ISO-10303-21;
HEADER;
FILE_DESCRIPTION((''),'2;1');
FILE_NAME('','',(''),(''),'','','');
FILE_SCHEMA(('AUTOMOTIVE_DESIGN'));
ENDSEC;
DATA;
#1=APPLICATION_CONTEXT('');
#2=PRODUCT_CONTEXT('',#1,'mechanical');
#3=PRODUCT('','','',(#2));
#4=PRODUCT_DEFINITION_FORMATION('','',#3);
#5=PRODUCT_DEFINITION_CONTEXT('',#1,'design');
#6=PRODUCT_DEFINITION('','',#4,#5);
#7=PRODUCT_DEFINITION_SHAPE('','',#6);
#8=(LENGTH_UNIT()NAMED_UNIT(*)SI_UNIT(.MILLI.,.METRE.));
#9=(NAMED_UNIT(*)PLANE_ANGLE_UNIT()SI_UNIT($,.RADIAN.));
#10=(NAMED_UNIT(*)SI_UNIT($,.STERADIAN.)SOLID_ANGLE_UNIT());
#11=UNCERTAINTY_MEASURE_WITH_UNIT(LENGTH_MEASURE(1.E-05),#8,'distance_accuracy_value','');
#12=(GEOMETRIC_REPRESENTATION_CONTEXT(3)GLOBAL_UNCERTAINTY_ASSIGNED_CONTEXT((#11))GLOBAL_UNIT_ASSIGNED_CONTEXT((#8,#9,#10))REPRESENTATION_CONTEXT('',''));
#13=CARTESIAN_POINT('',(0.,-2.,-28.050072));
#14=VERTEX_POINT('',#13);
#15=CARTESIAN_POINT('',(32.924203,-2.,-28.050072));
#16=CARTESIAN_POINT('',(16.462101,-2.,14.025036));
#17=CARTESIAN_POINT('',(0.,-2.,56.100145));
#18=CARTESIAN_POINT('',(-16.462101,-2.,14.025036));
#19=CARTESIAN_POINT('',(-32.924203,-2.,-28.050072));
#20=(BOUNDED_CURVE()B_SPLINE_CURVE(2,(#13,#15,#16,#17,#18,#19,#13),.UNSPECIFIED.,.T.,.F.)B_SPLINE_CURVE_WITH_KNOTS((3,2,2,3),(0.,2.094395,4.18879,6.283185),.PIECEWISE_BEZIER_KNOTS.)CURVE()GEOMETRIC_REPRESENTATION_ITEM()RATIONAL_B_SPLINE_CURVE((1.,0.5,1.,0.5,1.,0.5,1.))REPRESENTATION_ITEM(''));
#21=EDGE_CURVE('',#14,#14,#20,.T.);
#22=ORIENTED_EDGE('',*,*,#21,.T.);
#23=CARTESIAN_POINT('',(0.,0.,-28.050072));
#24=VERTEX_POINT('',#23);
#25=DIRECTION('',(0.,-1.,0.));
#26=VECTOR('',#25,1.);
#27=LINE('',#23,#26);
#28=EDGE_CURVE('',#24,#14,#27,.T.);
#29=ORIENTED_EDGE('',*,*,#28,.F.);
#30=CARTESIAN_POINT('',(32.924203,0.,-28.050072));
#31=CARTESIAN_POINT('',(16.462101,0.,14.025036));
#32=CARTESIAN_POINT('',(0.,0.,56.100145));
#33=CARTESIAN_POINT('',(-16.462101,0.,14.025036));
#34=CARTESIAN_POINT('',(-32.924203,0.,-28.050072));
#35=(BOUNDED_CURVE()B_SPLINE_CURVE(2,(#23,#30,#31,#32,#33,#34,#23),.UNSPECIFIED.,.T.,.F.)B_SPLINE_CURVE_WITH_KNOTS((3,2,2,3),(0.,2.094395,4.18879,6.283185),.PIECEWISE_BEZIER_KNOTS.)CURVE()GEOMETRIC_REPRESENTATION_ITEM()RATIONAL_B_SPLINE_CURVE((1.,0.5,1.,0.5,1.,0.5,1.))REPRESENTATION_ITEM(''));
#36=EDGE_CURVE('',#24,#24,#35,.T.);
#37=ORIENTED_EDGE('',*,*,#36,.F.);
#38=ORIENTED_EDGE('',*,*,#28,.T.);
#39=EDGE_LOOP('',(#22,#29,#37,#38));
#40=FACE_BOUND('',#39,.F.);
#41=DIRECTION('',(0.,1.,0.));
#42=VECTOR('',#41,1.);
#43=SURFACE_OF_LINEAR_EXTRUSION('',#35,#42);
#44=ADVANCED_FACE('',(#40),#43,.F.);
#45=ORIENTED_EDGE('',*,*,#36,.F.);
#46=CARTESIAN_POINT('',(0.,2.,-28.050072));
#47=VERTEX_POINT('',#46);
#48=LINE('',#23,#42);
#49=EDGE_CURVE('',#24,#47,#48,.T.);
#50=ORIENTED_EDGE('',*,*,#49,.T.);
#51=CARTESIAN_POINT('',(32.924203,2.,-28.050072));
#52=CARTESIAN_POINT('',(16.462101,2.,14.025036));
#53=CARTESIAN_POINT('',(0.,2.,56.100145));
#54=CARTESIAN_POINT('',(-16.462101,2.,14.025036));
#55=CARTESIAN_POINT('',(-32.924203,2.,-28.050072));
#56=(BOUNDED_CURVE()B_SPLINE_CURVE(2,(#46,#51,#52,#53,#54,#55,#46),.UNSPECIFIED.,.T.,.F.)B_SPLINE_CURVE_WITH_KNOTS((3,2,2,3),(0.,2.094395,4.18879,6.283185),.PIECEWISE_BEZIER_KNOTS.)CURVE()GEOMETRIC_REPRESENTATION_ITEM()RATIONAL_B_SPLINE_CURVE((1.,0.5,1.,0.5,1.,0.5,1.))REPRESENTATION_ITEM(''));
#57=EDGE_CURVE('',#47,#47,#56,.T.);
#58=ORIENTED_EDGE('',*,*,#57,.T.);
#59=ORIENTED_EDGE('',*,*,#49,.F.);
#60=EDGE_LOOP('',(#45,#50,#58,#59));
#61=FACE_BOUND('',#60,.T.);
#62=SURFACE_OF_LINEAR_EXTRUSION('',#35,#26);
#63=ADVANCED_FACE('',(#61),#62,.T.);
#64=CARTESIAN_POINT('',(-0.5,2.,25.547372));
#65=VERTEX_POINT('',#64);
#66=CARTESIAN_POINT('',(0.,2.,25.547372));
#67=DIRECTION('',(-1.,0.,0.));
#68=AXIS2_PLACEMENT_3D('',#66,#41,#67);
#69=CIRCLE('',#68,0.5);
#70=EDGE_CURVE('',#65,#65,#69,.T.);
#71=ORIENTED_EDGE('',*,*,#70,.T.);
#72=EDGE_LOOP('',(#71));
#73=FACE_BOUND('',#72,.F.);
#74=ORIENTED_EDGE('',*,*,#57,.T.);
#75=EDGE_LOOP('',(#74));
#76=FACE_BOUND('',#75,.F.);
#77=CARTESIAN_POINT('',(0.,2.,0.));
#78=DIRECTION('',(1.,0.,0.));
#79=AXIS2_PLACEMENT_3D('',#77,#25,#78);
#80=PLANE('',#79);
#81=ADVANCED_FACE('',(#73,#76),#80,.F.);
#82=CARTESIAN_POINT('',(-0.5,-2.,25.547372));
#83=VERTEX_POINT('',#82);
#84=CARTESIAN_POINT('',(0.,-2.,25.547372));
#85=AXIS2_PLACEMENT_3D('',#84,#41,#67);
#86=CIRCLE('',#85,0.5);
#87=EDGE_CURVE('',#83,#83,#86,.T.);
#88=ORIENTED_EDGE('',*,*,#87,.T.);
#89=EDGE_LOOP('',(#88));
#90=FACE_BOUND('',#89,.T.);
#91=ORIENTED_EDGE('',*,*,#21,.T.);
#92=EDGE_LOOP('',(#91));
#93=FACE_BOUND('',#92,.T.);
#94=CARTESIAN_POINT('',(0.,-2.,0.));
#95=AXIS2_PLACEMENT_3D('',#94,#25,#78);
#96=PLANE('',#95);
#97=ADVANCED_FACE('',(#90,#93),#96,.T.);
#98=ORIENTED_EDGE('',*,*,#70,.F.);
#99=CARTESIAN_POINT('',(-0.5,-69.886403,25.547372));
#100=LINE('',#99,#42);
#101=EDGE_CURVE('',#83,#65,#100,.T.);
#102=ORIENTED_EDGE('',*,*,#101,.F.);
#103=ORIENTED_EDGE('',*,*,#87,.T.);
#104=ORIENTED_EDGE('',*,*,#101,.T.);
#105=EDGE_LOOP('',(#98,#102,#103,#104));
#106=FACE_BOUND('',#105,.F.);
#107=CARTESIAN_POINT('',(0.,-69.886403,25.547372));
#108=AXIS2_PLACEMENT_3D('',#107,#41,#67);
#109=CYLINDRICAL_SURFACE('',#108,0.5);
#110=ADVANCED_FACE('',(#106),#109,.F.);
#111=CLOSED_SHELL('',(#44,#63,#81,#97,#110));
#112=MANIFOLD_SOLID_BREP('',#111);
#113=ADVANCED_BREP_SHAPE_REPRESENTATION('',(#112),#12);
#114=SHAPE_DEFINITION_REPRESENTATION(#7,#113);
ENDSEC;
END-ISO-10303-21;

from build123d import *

# Parameters (mm, degrees)
F1_DEPTH = 2
F3_D     = 1


with BuildPart() as f1:
    # F0 (on Front) → F1 (new body, symmetric)
    with BuildSketch(Plane.XZ):
        with BuildLine():
            add(Edge.make_bspline(
                [(0, -28.050072), (32.924203, -28.050072), (16.462101, 14.025036), (0, 56.100145), (-16.462101, 14.025036), (-32.924203, -28.050072), (0, -28.050072)],
                knots=[0, 0, 0, 2.094395, 2.094395, 4.18879, 4.18879, 6.283185, 6.283185, 6.283185], degree=2, weights=[1, 0.5, 1, 0.5, 1, 0.5, 1]))
        make_face()
    extrude(amount=F1_DEPTH, both=True)

    # F3 (through all)
    with Locations(Plane.XZ.offset(2)):
        with Locations((0, 25.547372)):
            Hole(F3_D / 2)


with BuildPart() as f4_1:
    # F4: copy of F1
    add(f1.part)


solid = f1.part
